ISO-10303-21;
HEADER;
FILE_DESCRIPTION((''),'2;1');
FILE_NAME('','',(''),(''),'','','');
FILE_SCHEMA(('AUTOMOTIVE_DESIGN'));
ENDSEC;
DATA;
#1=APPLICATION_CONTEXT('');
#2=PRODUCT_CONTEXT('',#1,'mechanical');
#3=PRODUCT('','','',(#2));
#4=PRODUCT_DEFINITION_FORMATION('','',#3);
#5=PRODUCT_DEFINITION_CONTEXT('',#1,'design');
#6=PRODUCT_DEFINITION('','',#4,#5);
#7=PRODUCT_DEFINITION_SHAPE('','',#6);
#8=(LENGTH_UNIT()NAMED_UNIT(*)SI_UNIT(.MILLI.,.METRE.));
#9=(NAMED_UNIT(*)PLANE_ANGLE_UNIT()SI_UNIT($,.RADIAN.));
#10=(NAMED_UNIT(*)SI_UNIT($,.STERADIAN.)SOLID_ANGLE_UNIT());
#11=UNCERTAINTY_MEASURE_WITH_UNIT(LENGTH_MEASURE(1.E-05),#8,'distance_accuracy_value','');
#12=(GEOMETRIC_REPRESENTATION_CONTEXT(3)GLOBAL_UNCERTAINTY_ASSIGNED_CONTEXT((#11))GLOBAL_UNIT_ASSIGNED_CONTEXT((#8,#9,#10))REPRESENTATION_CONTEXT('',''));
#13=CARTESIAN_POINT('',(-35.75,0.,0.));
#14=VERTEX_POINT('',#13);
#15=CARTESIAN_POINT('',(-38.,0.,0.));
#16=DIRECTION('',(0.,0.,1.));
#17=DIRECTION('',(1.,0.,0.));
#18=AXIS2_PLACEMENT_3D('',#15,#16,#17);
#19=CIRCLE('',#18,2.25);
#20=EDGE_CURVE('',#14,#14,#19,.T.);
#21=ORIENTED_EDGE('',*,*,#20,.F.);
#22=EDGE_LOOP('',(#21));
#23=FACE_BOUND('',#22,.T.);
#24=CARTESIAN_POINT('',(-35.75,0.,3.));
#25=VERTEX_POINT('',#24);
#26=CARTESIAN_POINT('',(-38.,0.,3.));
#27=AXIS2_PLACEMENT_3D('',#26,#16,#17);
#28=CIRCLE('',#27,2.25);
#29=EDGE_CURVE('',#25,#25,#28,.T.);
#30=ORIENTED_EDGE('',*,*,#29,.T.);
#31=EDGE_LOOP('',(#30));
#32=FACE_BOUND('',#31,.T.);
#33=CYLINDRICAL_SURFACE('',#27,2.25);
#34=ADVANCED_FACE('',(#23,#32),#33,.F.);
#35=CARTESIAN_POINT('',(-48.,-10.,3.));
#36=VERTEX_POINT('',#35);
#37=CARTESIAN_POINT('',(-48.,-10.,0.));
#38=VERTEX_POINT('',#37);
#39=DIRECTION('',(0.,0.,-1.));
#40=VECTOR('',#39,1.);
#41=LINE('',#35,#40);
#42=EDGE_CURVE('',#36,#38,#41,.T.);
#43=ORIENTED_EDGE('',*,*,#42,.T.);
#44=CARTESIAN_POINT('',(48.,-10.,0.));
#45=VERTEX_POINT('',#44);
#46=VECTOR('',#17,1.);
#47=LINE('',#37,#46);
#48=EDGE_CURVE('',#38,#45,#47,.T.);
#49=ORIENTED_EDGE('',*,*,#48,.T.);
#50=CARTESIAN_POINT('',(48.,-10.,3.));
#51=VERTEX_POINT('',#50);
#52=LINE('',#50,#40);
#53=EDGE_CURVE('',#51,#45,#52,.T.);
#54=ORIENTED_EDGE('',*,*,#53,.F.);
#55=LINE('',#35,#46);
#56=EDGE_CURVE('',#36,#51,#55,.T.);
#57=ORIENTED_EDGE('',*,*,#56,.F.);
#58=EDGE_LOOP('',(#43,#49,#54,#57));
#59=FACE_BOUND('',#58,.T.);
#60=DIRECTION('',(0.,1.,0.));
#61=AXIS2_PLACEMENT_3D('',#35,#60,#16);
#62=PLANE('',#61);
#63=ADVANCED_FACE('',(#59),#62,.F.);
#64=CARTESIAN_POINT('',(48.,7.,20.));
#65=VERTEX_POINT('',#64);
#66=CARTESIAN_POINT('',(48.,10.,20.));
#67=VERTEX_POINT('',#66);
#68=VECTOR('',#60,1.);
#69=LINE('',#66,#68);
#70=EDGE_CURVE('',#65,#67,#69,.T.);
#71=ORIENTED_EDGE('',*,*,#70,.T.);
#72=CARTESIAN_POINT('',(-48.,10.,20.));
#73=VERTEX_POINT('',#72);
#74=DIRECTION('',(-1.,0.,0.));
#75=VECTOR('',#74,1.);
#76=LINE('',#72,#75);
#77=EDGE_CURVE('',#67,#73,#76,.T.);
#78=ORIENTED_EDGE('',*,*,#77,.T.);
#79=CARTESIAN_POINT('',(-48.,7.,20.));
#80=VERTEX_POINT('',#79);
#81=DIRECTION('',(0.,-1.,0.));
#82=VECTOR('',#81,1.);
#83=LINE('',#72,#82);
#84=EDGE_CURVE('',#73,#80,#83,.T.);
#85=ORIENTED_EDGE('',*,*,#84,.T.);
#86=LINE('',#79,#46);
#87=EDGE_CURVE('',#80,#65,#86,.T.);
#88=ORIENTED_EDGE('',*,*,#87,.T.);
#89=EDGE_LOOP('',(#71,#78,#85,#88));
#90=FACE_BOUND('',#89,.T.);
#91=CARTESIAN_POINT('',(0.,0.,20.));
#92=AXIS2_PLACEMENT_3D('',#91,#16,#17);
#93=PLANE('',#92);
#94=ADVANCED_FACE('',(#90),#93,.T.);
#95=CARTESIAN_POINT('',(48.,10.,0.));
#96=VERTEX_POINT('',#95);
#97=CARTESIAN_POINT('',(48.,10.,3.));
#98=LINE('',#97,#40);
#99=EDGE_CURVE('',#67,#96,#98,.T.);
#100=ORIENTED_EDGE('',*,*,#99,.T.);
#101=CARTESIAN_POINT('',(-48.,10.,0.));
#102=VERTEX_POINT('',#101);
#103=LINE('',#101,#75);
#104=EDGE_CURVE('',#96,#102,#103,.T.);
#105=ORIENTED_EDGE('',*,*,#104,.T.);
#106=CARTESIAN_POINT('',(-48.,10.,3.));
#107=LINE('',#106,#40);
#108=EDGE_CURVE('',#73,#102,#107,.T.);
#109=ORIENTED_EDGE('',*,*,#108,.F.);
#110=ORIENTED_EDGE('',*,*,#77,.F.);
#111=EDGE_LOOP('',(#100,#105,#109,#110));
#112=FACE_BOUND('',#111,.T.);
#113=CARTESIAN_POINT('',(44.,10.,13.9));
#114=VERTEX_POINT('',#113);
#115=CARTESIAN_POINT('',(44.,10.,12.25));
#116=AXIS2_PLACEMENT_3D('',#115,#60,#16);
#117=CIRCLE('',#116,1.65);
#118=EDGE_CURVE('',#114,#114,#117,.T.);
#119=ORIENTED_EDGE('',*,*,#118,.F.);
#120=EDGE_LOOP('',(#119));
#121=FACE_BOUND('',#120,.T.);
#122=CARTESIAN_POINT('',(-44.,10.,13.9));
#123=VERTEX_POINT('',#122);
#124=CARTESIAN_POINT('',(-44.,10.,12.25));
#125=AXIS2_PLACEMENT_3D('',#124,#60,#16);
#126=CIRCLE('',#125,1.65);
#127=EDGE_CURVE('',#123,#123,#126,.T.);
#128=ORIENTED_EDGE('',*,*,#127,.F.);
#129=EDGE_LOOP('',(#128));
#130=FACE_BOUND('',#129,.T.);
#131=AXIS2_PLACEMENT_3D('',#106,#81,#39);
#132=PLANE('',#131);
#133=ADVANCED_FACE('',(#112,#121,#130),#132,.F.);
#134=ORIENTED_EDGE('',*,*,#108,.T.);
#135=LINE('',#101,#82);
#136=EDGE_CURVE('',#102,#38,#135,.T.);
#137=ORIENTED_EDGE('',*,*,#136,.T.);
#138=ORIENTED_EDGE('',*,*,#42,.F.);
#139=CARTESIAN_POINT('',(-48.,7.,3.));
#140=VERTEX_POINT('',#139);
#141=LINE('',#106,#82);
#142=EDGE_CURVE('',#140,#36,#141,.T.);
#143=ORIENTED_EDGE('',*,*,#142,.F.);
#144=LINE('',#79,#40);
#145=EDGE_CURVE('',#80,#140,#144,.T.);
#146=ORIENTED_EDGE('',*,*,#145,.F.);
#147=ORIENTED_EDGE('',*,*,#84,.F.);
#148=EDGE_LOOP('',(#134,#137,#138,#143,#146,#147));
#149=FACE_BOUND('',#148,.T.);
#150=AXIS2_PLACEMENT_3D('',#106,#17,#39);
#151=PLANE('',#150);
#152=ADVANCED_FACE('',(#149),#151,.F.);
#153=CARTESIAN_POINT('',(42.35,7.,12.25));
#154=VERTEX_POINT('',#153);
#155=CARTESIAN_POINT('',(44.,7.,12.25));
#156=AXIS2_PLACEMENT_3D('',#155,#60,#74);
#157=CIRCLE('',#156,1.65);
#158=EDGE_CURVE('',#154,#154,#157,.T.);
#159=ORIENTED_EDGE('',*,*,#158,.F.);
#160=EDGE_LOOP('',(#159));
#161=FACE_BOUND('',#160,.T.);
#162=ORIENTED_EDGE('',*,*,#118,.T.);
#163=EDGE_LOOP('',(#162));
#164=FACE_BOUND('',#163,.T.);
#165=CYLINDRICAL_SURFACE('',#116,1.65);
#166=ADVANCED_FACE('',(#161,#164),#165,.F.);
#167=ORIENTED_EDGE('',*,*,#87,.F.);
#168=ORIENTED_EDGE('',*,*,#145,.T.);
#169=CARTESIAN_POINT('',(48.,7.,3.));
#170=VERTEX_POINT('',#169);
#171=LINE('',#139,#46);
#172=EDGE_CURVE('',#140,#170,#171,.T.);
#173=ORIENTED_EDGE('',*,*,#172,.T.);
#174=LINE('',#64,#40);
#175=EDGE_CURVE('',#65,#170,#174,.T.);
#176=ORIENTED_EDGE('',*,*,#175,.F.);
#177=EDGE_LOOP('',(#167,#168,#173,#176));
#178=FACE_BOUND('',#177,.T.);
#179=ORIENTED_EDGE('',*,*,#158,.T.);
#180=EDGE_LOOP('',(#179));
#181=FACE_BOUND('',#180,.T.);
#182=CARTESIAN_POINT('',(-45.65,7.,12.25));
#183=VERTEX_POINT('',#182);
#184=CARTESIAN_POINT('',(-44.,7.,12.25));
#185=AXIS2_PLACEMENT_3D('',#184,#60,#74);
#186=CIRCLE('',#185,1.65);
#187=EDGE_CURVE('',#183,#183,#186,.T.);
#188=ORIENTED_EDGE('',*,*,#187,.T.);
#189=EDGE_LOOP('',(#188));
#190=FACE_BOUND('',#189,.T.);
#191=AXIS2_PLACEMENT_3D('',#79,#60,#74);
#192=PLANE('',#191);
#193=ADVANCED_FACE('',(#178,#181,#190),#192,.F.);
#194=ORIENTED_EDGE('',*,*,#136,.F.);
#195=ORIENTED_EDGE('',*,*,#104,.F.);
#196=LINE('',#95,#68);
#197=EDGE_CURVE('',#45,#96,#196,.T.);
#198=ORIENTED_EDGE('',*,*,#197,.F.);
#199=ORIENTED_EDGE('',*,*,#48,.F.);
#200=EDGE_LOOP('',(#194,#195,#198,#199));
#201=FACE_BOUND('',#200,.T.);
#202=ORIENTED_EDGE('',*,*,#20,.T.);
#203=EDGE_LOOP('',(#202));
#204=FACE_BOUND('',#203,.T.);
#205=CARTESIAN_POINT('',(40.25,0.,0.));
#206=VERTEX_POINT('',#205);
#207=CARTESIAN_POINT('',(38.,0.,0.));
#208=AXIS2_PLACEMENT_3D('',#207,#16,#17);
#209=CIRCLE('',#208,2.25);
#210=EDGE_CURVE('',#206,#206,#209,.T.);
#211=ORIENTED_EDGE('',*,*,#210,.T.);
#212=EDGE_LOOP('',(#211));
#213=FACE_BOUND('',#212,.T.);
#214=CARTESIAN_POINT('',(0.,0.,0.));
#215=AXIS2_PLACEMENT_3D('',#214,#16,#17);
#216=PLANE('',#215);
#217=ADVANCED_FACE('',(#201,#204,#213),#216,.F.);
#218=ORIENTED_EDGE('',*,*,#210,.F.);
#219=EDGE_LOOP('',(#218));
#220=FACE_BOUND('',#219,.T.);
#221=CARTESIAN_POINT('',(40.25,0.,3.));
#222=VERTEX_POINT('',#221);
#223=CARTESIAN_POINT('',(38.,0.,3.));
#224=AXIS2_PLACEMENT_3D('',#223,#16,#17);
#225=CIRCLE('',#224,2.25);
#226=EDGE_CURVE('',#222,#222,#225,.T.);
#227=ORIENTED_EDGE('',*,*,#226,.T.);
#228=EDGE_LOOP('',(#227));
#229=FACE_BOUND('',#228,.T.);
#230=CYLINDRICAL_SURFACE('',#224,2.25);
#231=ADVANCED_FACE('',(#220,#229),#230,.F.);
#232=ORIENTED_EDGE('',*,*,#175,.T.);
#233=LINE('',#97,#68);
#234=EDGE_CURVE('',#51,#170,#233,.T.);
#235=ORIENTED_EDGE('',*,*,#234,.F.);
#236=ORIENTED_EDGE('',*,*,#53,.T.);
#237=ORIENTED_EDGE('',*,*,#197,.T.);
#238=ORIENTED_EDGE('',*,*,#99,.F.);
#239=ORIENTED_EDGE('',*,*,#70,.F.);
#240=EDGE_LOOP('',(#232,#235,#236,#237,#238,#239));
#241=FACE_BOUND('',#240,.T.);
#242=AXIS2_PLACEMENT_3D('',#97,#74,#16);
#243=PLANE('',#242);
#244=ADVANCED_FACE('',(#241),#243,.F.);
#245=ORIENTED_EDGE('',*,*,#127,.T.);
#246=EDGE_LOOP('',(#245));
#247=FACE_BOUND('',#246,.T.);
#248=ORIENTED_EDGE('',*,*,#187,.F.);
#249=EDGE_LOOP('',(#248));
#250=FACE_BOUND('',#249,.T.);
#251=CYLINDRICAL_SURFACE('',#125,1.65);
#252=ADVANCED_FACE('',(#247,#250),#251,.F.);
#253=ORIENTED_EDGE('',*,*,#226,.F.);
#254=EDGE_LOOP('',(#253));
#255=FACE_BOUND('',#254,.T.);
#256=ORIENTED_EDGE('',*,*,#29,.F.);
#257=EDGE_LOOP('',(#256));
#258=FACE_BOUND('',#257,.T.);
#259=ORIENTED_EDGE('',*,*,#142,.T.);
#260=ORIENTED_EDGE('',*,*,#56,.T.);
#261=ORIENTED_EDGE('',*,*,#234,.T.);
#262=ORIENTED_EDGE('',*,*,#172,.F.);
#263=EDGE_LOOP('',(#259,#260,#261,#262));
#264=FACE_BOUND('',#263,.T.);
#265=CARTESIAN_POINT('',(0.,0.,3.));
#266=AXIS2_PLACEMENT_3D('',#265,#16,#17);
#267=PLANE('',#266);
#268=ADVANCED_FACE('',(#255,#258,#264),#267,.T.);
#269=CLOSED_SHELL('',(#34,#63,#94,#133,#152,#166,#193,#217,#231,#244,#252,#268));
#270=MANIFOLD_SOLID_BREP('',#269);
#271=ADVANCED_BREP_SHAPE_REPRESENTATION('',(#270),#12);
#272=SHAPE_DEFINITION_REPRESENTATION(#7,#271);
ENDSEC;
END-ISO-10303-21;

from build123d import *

# Parameters (mm, degrees)
SKETCH_1_W           = 96
SKETCH_1_H           = 20
EXTRUDE_1_DEPTH      = 3
SKETCH_2_W           = 96
SKETCH_2_H           = 3
EXTRUDE_2_DEPTH      = 17
HOLE_WIZARD_M4_1_D   = 4.5
HOLE_WIZARD_M4_1_2_D = 3.3


with BuildPart() as part:
    # 스케치1 → 보스-돌출1 (new body)
    with BuildSketch(Plane.XY):
        Rectangle(SKETCH_1_W, SKETCH_1_H)
    extrude(amount=EXTRUDE_1_DEPTH)

    # 스케치2 → 보스-돌출2 (add)
    with BuildSketch(Plane.XY.offset(3)):
        with Locations((0, 8.5)):
            Rectangle(SKETCH_2_W, SKETCH_2_H)
    extrude(amount=EXTRUDE_2_DEPTH)

    # Hole Wizard M4 _ _1 (through all)
    with Locations(Plane.XY.offset(3)):
        with Locations((-38, 0), (38, 0)):
            Hole(HOLE_WIZARD_M4_1_D / 2)

    # Hole Wizard M4 _ _1 2 (through all)
    with Locations(Plane(origin=(0, 10, 0), x_dir=(1, 0, 0), z_dir=(0, 1, 0))):
        with Locations((-44, -12.25), (44, -12.25)):
            Hole(HOLE_WIZARD_M4_1_2_D / 2)


solid = part.part
